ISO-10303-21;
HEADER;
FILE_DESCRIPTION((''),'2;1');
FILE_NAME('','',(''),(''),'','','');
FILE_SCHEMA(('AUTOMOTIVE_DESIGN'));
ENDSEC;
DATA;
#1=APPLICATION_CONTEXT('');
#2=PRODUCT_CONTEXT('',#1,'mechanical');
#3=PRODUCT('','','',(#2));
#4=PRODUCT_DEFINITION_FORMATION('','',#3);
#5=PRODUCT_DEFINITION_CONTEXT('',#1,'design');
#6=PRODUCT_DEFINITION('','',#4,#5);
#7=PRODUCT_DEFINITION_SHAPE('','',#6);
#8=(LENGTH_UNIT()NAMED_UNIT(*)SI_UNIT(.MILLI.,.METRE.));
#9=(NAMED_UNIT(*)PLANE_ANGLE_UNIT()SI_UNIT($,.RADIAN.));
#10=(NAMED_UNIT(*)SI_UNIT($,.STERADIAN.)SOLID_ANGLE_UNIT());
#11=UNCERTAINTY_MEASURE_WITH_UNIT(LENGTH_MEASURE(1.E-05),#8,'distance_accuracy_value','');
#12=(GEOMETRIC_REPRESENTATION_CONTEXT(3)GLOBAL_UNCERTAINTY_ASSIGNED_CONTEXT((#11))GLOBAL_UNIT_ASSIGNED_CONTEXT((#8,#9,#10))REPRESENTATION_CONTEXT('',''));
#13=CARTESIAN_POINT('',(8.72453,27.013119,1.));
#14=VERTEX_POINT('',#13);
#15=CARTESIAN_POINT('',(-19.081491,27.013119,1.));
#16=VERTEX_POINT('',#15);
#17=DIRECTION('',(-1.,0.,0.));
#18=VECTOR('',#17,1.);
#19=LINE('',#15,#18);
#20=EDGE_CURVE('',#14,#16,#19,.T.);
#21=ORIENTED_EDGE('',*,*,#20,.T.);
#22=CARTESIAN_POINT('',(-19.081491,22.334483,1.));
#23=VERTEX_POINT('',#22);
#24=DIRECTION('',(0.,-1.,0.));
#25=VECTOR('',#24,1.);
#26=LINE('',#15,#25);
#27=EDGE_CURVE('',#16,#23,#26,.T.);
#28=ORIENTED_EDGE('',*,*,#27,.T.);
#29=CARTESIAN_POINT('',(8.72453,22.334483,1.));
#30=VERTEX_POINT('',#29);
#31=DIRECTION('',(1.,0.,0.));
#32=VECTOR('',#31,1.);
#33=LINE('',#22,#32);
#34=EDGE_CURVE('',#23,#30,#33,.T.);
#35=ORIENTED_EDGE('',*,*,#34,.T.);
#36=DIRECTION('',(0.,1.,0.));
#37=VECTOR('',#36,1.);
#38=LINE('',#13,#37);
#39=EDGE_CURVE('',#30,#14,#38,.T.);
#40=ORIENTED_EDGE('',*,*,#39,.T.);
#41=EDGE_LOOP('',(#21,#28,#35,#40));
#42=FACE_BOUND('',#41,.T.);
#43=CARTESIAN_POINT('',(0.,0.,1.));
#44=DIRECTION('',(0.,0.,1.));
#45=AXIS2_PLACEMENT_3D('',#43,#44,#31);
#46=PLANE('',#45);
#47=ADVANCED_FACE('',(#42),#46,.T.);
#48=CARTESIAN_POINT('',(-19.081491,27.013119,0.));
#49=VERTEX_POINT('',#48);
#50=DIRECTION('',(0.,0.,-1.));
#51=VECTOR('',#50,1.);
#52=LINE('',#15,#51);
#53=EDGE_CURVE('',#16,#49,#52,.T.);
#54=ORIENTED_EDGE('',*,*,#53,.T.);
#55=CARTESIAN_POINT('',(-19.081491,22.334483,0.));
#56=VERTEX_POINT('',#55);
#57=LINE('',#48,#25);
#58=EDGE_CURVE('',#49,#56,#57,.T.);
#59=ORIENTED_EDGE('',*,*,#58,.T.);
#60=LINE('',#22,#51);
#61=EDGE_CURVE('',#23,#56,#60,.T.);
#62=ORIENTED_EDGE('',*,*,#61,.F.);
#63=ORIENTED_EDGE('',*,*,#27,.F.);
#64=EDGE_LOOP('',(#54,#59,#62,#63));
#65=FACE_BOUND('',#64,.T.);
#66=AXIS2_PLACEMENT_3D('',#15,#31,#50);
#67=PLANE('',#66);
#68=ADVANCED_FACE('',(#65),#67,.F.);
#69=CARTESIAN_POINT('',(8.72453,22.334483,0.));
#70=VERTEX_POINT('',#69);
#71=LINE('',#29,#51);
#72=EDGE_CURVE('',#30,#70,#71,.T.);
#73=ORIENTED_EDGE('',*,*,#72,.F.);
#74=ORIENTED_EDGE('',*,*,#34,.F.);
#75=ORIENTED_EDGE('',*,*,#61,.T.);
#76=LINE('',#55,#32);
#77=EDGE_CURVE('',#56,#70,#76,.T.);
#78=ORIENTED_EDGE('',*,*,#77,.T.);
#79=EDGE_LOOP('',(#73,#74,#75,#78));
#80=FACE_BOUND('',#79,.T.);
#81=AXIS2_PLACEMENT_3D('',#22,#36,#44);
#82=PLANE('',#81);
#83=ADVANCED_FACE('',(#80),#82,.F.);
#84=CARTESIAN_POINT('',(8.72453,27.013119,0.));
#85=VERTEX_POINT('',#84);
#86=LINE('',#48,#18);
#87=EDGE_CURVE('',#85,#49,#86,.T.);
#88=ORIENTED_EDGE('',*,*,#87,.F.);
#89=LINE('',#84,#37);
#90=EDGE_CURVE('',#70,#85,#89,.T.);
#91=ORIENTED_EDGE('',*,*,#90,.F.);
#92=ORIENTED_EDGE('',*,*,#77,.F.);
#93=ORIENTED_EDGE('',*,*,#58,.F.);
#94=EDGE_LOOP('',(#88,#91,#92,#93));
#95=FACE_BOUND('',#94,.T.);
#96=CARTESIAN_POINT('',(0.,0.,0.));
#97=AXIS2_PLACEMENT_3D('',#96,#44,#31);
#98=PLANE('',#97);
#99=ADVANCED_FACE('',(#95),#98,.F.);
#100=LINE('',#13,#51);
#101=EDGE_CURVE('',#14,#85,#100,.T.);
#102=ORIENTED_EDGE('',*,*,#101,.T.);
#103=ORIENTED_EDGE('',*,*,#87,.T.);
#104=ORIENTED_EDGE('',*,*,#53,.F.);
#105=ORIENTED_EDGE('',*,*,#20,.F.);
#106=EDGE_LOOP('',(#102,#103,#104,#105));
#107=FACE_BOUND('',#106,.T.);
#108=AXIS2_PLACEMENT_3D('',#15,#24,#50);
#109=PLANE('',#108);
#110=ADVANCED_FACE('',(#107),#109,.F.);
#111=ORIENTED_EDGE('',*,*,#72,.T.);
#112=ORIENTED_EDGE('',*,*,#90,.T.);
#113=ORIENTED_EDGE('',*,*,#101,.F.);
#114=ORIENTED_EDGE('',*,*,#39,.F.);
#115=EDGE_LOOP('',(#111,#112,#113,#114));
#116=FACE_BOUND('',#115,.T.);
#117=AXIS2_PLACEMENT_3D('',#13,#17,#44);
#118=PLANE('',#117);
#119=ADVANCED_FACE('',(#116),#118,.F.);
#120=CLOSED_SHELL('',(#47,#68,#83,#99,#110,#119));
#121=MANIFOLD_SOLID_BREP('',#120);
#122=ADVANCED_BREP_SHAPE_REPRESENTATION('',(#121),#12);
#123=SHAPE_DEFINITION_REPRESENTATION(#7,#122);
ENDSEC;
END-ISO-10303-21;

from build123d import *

# Parameters (mm, degrees)
ESQUISSE1_W        = 27.80602061
ESQUISSE1_H        = 4.678636079
BOSS_EXTRU_1_DEPTH = 1


with BuildPart() as part:
    # Esquisse1 → Boss.-Extru.1 (new body)
    with BuildSketch(Plane.XY):
        with Locations((-5.178480401, 24.673800799)):
            Rectangle(ESQUISSE1_W, ESQUISSE1_H)
    extrude(amount=BOSS_EXTRU_1_DEPTH)


solid = part.part
